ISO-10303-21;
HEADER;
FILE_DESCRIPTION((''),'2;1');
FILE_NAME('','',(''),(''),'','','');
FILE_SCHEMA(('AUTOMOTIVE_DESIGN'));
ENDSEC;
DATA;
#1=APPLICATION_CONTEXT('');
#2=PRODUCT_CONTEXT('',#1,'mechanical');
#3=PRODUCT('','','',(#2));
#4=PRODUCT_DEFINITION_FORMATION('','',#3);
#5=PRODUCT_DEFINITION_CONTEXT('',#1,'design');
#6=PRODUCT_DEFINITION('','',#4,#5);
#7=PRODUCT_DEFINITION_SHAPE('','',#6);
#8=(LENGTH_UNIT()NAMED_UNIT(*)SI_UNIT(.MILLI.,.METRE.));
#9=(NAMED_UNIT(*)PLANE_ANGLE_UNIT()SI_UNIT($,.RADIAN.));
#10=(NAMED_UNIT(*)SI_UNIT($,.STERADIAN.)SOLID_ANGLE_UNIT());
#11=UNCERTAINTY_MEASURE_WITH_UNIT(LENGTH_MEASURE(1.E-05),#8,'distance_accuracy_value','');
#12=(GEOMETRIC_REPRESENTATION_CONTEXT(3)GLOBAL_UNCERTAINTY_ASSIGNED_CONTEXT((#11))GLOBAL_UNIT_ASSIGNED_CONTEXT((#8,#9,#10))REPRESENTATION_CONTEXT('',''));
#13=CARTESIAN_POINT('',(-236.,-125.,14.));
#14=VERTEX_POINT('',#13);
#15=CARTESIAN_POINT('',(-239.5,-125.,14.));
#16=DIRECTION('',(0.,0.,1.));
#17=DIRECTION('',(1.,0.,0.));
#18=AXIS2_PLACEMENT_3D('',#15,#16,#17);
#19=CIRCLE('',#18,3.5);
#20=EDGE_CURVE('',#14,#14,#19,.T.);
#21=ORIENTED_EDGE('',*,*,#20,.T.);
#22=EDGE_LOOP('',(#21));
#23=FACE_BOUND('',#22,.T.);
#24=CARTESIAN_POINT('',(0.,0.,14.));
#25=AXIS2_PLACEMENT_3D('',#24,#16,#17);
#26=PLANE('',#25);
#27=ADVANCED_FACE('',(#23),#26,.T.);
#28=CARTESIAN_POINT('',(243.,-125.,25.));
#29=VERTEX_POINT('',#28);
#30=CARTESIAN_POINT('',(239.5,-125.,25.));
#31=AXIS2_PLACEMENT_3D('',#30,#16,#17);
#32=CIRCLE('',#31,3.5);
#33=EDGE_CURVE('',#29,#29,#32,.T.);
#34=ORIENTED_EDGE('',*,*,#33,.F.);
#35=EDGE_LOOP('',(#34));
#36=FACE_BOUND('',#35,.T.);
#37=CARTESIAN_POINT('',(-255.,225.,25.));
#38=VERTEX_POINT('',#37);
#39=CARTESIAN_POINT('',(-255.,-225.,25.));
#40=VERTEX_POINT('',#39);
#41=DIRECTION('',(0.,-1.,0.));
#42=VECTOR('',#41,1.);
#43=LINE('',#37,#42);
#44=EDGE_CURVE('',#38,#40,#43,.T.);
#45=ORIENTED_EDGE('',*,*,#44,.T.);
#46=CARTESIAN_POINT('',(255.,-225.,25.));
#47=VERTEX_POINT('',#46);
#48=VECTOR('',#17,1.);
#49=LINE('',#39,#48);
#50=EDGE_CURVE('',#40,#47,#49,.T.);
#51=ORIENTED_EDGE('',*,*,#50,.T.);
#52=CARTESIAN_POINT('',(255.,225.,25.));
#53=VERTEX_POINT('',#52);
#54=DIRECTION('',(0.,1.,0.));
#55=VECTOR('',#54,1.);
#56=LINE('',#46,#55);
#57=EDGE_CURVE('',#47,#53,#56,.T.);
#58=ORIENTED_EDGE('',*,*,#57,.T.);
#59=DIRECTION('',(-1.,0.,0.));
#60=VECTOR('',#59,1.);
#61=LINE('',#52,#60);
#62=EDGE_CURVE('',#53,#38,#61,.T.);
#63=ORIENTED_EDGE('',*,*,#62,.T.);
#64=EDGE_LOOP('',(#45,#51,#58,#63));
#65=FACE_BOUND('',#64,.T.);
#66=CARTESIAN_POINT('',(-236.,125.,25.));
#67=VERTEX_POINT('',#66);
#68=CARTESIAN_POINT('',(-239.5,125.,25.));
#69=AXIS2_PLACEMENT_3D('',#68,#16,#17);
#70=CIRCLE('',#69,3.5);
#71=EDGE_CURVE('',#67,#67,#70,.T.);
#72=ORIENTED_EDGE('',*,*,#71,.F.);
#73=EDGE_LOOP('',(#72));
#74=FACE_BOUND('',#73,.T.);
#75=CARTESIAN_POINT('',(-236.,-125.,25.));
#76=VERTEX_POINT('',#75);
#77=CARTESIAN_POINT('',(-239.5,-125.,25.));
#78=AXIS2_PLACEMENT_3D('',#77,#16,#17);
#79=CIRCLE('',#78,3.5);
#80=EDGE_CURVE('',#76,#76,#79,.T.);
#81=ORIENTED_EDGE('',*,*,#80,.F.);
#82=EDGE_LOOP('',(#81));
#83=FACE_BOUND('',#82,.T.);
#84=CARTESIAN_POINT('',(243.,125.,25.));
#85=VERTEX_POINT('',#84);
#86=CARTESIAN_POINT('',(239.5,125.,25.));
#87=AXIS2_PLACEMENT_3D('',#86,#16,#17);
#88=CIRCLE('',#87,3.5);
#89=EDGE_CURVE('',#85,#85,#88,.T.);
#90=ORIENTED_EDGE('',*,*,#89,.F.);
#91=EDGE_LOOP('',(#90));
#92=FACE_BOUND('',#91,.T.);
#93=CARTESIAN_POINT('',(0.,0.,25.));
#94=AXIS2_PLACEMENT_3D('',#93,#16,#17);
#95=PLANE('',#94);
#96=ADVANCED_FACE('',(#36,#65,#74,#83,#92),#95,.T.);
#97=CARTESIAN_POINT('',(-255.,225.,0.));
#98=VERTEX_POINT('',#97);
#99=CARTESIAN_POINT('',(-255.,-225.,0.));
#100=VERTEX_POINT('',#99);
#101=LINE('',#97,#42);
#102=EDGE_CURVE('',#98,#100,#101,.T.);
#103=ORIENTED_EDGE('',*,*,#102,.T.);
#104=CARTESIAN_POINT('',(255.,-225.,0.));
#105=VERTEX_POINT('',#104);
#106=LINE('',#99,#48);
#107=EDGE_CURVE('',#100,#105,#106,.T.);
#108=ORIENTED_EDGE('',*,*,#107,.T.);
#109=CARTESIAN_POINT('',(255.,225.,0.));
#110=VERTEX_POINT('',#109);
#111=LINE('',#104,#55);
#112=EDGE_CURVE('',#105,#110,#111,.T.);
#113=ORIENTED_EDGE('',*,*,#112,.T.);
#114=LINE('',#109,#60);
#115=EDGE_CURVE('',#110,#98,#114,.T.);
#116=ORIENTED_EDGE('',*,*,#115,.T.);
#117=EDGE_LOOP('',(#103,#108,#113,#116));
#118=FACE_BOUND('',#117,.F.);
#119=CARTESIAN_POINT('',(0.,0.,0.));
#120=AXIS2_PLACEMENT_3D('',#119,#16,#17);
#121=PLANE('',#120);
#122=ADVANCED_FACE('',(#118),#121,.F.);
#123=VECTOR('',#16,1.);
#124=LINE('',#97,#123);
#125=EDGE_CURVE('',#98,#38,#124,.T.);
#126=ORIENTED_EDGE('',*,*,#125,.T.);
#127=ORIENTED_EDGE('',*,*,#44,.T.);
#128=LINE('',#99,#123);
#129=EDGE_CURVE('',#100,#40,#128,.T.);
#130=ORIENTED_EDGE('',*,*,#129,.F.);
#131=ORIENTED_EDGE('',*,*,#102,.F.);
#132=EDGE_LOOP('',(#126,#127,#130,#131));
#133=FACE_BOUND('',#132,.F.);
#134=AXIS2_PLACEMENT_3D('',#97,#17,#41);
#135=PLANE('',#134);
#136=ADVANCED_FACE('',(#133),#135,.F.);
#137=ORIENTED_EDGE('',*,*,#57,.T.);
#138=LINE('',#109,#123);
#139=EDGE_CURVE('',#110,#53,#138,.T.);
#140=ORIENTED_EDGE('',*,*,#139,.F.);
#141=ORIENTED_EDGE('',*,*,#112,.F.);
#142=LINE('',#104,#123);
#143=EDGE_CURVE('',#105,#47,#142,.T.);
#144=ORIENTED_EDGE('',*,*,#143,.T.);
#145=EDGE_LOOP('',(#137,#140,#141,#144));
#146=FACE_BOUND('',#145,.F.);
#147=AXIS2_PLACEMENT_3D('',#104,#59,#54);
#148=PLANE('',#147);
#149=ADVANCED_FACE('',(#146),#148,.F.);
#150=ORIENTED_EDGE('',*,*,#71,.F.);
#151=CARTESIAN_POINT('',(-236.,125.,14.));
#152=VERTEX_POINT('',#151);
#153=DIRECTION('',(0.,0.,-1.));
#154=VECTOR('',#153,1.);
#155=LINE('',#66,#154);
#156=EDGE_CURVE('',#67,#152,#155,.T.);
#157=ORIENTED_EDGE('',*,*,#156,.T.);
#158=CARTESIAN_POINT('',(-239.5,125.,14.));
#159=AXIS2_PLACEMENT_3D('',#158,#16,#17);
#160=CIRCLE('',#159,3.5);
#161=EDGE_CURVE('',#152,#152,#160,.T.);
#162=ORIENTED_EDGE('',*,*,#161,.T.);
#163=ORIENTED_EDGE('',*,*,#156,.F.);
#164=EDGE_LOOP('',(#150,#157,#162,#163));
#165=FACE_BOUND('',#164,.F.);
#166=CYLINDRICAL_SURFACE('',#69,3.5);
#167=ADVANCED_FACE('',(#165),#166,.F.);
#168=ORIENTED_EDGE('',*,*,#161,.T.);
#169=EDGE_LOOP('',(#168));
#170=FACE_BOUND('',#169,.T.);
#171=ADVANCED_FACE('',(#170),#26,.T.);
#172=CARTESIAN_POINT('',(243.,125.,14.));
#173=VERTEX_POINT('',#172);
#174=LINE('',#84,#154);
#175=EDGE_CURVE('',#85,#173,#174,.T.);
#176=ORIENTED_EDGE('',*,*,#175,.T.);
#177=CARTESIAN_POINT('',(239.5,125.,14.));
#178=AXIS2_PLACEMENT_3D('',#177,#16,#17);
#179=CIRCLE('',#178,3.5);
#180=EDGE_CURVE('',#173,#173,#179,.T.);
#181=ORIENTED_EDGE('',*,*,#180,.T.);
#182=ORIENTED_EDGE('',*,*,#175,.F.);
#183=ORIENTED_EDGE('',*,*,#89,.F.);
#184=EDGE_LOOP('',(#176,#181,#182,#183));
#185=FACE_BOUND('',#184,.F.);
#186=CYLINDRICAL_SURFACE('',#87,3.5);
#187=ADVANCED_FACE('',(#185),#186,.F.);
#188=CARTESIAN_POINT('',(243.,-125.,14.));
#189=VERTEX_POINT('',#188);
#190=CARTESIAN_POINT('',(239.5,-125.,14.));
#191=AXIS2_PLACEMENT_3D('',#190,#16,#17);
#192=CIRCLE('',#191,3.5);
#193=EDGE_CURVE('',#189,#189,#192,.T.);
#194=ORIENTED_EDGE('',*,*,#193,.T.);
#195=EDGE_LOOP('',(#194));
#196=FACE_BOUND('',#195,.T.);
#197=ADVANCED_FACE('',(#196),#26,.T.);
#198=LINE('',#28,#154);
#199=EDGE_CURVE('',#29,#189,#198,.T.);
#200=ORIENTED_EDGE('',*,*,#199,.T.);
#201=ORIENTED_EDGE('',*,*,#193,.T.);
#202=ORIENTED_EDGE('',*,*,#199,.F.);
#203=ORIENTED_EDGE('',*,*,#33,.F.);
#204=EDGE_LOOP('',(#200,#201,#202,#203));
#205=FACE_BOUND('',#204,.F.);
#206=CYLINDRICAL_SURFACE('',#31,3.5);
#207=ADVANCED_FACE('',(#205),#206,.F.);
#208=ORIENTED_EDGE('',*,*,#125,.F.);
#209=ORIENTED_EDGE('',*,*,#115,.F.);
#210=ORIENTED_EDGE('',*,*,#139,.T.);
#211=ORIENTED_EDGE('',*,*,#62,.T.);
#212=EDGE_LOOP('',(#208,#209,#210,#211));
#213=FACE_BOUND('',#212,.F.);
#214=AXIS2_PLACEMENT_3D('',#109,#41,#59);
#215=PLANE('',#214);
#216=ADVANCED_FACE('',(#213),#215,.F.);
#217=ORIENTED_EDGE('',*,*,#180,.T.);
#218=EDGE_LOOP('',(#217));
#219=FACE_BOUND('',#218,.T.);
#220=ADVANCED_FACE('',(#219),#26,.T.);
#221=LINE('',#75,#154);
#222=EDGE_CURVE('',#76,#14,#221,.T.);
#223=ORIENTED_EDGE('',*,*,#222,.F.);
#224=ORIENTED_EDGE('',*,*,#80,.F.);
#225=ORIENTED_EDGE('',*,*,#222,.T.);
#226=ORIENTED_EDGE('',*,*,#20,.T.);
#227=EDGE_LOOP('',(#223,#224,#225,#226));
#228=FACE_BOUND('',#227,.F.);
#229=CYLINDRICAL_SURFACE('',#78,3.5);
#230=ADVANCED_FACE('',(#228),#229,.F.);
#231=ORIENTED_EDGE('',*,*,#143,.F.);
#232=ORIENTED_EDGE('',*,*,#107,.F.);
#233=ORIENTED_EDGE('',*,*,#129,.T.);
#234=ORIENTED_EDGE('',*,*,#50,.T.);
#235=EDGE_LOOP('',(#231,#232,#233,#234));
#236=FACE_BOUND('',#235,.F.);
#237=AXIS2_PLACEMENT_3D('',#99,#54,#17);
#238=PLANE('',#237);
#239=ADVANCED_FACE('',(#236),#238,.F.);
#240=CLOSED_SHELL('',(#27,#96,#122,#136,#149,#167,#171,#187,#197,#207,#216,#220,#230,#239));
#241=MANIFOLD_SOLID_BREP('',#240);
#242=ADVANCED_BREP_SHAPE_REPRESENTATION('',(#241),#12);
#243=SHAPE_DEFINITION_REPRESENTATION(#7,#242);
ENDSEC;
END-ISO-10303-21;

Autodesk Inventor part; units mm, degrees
ref_plane "YZ Plane" through (0, 0, 0) normal (1, 0, 0) x (0, 1, 0)
ref_plane "XZ Plane" through (0, 0, 0) normal (0, 1, 0) x (-1, 0, 0)
ref_plane "XY Plane" through (0, 0, 0) normal (0, 0, 1) x (1, 0, 0)
sketch "Sketch1" plane through (0, 0, 0) normal (0, 0, 1) x (1, 0, 0)
  line L0 (-255, -225) -> (255, -225)
  line L1 (255, -225) -> (255, 225)
  line L2 (255, 225) -> (-255, 225)
  line L3 (-255, 225) -> (-255, -225)
  line L4 (-255, -225) -> (255, 225) construction
  line L5 (255, -225) -> (-255, 225) construction
  point P0 (0, 0)
  dimension "d0" = 510
  dimension "d1" = 450
extrude "Extrusion1" add sketch "Sketch1" along normal blind 25
sketch "Sketch2" plane through (0, 0, 25) normal (0, 0, 1) x (1, 0, 0)
  line L0 (-255, -225) -> (255, -225) construction
  line L1 (255, -225) -> (255, 225) construction
  line L2 (255, 225) -> (-255, 225) construction
  line L3 (-255, 225) -> (-255, -225) construction
  line L4 (255, 225) -> (255, 125) construction
  line L5 (255, -225) -> (255, -125) construction
  line L6 (255, 125) -> (-255, 125) construction
  line L7 (255, -125) -> (-255, -125) construction
  line L8 (0, -125) -> (239.5, -125) construction
  line L9 (0, -125) -> (-239.5, -125) construction
  circle A0 centre (-239.5, -125) radius 3.5
  circle A1 centre (239.5, -125) radius 3.5
  line L10 (0, 125) -> (239.5, 125) construction
  line L11 (0, 125) -> (-239.5, 125) construction
  circle A2 centre (-239.5, 125) radius 3.5
  circle A3 centre (239.5, 125) radius 3.5
  point P0 (0, 0)
  dimension "d4" = 100
  dimension "d5" = 100
  dimension "d6" = 239.5
  dimension "d7" = 239.5
  dimension "d8" = 7
  dimension "d9" = 7
  dimension "d10" = 239.5
  dimension "d11" = 239.5
  dimension "d12" = 7
  dimension "d13" = 7
extrude "Extrusion2" cut sketch "Sketch2" against normal blind 11
properties part number "ed30 panel solar" material "Polycarbonate, Smoke"
